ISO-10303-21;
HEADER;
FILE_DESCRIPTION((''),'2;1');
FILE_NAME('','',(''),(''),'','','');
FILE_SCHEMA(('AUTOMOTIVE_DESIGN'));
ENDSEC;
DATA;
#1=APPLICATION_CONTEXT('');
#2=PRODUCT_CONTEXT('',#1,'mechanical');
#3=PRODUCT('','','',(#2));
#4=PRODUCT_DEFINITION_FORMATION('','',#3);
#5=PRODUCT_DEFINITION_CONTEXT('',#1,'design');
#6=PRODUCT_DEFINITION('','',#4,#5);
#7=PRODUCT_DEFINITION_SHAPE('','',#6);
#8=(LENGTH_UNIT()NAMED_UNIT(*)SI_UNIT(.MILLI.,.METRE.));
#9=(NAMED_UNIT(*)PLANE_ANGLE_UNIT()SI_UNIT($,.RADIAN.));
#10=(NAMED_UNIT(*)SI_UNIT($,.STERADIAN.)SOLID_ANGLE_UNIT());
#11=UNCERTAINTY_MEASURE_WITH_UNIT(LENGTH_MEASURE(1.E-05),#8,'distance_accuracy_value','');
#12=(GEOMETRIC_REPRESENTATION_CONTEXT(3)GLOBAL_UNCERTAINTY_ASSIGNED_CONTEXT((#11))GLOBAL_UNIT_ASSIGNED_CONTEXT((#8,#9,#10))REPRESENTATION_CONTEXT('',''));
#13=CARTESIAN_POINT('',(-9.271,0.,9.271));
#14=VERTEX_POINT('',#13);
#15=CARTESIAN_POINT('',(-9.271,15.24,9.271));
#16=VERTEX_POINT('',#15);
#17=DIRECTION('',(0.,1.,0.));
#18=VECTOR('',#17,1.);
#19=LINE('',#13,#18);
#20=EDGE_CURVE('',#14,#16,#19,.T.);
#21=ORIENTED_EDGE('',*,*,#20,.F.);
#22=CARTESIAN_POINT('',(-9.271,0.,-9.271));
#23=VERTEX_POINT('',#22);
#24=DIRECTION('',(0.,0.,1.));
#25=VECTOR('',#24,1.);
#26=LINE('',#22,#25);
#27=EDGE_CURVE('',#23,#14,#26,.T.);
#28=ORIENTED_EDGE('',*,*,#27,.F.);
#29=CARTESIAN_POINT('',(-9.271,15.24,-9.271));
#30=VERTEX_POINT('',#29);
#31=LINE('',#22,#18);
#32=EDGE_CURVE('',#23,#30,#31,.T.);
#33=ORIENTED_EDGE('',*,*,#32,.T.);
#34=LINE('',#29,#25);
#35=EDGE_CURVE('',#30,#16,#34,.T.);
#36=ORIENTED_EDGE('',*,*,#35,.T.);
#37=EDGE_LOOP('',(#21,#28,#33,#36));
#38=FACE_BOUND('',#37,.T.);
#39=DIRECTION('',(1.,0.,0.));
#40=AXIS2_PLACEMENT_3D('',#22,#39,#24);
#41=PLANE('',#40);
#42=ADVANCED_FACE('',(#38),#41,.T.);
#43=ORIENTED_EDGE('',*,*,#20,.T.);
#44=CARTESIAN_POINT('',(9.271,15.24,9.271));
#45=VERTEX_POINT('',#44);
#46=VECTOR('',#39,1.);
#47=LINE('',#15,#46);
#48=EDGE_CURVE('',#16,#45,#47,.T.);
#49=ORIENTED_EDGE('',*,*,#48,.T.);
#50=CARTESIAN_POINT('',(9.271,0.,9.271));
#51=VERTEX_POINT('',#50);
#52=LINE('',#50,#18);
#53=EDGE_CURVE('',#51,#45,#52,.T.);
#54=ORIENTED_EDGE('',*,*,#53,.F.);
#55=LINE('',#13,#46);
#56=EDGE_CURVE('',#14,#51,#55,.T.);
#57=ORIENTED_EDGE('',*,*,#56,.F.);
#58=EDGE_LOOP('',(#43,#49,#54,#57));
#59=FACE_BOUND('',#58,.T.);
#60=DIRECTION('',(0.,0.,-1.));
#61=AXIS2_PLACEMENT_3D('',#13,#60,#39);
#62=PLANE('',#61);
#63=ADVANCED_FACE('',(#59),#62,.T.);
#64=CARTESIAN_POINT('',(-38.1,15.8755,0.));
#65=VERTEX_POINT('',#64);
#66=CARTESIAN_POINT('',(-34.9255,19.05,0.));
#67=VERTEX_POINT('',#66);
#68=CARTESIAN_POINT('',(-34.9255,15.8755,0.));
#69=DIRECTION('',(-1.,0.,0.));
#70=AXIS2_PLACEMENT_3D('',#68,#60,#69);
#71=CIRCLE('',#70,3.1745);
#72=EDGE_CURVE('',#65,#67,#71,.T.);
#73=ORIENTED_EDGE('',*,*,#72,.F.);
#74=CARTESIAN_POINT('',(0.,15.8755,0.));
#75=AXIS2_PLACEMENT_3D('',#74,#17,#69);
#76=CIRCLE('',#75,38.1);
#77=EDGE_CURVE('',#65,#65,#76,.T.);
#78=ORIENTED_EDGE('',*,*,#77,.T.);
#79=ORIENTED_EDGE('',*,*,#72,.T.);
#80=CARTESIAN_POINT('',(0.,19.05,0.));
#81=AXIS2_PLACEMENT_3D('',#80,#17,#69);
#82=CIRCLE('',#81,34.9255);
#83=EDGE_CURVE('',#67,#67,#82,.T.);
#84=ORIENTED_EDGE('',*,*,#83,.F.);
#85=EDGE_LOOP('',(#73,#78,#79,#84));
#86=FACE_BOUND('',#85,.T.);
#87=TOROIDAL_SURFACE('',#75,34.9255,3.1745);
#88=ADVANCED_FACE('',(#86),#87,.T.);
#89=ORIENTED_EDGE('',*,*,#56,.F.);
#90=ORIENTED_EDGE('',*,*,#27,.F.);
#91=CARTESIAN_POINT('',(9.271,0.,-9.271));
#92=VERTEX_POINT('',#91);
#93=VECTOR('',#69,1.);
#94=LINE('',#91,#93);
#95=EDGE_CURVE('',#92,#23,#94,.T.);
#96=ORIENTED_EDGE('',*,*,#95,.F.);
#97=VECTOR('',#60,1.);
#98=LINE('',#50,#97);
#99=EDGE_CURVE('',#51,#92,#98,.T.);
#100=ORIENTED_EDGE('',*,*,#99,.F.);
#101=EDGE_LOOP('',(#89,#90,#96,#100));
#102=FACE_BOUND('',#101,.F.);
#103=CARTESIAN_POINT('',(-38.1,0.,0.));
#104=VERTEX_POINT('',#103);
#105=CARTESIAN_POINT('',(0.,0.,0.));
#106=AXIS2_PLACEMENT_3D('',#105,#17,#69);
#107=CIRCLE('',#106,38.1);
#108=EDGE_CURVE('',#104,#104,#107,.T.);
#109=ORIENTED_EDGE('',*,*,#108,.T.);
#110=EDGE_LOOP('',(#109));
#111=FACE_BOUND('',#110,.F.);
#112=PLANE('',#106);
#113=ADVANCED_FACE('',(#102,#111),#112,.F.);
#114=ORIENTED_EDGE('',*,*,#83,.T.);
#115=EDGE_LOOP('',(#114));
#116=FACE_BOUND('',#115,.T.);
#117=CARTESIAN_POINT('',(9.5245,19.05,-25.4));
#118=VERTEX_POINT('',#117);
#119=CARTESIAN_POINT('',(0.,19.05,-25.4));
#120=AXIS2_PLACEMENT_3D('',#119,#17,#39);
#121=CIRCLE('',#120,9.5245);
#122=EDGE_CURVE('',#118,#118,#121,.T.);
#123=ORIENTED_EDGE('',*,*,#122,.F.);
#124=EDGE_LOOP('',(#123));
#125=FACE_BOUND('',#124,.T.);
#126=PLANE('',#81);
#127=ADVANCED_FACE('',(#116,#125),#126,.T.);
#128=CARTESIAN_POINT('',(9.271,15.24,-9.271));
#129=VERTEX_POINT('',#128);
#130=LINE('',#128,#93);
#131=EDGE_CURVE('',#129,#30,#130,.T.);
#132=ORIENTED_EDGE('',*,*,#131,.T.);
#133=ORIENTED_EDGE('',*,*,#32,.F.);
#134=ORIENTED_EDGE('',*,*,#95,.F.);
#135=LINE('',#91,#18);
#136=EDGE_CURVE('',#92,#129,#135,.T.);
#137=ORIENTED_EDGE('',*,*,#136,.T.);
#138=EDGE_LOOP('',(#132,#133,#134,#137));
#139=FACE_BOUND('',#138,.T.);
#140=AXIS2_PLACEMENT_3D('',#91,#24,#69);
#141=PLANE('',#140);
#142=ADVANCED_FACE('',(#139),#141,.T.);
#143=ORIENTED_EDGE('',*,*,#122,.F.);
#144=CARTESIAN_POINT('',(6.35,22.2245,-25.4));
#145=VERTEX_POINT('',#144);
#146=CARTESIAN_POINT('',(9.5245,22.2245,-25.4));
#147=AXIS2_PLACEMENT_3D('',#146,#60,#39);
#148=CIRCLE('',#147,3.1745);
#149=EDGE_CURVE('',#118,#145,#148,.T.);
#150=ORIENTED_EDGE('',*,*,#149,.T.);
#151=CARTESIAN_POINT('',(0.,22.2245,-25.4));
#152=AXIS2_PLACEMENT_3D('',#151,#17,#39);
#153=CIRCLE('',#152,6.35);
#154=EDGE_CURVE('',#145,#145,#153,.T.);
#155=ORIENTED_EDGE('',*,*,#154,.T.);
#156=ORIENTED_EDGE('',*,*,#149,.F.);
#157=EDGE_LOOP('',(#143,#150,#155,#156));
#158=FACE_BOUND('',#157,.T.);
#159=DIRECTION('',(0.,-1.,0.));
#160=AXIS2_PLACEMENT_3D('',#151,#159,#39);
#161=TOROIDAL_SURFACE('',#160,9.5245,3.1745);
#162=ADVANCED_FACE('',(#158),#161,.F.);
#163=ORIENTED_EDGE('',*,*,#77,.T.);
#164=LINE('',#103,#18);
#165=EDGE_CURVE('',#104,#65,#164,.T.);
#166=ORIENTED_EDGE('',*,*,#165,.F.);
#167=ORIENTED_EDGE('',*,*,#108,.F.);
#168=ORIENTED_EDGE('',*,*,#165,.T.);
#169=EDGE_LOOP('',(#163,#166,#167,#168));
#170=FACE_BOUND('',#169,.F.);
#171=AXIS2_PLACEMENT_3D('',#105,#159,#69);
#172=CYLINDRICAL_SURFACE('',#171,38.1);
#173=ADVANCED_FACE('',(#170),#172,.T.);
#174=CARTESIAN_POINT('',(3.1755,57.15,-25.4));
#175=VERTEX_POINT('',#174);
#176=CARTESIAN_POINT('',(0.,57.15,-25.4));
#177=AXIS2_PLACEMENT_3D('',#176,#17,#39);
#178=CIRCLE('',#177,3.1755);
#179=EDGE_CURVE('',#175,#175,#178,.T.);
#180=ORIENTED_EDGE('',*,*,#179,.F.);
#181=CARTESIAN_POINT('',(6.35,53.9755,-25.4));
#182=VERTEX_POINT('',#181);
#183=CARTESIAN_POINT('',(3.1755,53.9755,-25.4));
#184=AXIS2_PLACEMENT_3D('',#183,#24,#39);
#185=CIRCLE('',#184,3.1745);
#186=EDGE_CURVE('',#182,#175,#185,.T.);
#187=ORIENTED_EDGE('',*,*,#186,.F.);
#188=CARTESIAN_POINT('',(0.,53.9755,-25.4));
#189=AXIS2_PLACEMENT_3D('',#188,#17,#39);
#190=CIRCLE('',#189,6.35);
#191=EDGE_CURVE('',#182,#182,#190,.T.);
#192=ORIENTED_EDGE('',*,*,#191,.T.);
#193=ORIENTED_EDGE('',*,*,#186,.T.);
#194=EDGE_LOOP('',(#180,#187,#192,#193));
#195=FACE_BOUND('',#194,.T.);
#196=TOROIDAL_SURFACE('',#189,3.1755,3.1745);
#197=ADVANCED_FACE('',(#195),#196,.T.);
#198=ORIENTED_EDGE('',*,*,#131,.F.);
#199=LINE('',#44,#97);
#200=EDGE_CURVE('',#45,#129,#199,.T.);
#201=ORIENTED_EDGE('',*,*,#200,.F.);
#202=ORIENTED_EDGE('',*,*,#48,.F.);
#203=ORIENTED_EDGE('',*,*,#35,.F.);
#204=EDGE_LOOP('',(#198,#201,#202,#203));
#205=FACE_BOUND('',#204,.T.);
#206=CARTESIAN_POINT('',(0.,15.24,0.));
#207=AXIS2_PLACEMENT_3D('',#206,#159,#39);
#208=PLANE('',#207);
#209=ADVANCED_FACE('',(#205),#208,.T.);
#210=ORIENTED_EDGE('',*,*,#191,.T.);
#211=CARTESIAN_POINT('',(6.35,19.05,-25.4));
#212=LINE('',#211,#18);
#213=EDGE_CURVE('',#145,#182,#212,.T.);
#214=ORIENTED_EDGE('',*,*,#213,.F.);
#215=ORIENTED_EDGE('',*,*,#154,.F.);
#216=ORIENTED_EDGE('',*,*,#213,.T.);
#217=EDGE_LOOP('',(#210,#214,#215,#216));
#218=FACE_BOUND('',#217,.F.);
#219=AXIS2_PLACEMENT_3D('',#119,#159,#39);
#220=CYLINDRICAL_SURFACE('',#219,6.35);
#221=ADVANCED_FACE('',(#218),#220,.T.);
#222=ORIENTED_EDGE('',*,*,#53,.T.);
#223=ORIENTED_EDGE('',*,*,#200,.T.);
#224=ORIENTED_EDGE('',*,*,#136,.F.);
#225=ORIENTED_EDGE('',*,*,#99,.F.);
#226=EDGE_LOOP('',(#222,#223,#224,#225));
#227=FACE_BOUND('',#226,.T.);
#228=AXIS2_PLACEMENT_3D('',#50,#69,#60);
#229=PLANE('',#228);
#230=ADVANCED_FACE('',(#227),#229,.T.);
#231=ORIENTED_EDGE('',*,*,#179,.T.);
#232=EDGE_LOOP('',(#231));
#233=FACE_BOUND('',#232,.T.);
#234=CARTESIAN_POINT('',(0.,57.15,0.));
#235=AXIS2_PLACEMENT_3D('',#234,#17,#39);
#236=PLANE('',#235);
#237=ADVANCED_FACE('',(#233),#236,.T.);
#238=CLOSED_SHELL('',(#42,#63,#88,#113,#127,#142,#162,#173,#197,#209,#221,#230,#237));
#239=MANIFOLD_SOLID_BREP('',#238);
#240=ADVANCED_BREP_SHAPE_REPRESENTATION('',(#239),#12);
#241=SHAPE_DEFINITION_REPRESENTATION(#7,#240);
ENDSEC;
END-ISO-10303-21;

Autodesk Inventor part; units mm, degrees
ref_plane "YZ Plane" through (0, 0, 0) normal (1, 0, 0) x (0, 1, 0)
ref_plane "XZ Plane" through (0, 0, 0) normal (0, 1, 0) x (-1, 0, 0)
ref_plane "XY Plane" through (0, 0, 0) normal (0, 0, 1) x (1, 0, 0)
sketch "Sketch1" plane through (0, 0, 0) normal (0, 1, 0) x (-1, 0, 0)
  circle A0 centre (0, 0) radius 38.1
  dimension "d0" = 76.2
extrude "Extrusion1" add sketch "Sketch1" along normal blind 19.05
sketch "Sketch3" plane through (0, 0, 0) normal (0, -1, 0) x (1, 0, 0)
  circle A0 centre (0, 0) radius 38.1 projected
  line L0 (-9.271, 9.271) -> (9.271, 9.271)
  line L1 (9.271, 9.271) -> (9.271, -9.271)
  line L2 (9.271, -9.271) -> (-9.271, -9.271)
  line L3 (-9.271, -9.271) -> (-9.271, 9.271)
  line L4 (-9.271, 9.271) -> (9.271, -9.271) construction
  line L5 (9.271, 9.271) -> (-9.271, -9.271) construction
  dimension "d5" = 18.542
  dimension "d6" = 18.542
extrude "Extrusion2" cut sketch "Sketch3" against normal blind 15.24 contours L0 L1 L2 L3
sketch "Sketch4" plane through (0, 19.05, 0) normal (0, 1, 0) x (1, 0, 0)
  circle A0 centre (0, 0) radius 38.1 projected
  line L0 (0, 0) -> (0, 25.4) construction
  circle A1 centre (0, 25.4) radius 6.35
  dimension "d9" = 25.4
  dimension "d10" = 12.7
extrude "Extrusion3" add sketch "Sketch4" along normal blind 38.1 contours A1
fillet "Fillet1" radius 3.175 3 edges at (38.1, 19.05, 0) (-6.35, 19.05, -25.4) (-6.35, 57.15, -25.4)
properties part number "Handle"
